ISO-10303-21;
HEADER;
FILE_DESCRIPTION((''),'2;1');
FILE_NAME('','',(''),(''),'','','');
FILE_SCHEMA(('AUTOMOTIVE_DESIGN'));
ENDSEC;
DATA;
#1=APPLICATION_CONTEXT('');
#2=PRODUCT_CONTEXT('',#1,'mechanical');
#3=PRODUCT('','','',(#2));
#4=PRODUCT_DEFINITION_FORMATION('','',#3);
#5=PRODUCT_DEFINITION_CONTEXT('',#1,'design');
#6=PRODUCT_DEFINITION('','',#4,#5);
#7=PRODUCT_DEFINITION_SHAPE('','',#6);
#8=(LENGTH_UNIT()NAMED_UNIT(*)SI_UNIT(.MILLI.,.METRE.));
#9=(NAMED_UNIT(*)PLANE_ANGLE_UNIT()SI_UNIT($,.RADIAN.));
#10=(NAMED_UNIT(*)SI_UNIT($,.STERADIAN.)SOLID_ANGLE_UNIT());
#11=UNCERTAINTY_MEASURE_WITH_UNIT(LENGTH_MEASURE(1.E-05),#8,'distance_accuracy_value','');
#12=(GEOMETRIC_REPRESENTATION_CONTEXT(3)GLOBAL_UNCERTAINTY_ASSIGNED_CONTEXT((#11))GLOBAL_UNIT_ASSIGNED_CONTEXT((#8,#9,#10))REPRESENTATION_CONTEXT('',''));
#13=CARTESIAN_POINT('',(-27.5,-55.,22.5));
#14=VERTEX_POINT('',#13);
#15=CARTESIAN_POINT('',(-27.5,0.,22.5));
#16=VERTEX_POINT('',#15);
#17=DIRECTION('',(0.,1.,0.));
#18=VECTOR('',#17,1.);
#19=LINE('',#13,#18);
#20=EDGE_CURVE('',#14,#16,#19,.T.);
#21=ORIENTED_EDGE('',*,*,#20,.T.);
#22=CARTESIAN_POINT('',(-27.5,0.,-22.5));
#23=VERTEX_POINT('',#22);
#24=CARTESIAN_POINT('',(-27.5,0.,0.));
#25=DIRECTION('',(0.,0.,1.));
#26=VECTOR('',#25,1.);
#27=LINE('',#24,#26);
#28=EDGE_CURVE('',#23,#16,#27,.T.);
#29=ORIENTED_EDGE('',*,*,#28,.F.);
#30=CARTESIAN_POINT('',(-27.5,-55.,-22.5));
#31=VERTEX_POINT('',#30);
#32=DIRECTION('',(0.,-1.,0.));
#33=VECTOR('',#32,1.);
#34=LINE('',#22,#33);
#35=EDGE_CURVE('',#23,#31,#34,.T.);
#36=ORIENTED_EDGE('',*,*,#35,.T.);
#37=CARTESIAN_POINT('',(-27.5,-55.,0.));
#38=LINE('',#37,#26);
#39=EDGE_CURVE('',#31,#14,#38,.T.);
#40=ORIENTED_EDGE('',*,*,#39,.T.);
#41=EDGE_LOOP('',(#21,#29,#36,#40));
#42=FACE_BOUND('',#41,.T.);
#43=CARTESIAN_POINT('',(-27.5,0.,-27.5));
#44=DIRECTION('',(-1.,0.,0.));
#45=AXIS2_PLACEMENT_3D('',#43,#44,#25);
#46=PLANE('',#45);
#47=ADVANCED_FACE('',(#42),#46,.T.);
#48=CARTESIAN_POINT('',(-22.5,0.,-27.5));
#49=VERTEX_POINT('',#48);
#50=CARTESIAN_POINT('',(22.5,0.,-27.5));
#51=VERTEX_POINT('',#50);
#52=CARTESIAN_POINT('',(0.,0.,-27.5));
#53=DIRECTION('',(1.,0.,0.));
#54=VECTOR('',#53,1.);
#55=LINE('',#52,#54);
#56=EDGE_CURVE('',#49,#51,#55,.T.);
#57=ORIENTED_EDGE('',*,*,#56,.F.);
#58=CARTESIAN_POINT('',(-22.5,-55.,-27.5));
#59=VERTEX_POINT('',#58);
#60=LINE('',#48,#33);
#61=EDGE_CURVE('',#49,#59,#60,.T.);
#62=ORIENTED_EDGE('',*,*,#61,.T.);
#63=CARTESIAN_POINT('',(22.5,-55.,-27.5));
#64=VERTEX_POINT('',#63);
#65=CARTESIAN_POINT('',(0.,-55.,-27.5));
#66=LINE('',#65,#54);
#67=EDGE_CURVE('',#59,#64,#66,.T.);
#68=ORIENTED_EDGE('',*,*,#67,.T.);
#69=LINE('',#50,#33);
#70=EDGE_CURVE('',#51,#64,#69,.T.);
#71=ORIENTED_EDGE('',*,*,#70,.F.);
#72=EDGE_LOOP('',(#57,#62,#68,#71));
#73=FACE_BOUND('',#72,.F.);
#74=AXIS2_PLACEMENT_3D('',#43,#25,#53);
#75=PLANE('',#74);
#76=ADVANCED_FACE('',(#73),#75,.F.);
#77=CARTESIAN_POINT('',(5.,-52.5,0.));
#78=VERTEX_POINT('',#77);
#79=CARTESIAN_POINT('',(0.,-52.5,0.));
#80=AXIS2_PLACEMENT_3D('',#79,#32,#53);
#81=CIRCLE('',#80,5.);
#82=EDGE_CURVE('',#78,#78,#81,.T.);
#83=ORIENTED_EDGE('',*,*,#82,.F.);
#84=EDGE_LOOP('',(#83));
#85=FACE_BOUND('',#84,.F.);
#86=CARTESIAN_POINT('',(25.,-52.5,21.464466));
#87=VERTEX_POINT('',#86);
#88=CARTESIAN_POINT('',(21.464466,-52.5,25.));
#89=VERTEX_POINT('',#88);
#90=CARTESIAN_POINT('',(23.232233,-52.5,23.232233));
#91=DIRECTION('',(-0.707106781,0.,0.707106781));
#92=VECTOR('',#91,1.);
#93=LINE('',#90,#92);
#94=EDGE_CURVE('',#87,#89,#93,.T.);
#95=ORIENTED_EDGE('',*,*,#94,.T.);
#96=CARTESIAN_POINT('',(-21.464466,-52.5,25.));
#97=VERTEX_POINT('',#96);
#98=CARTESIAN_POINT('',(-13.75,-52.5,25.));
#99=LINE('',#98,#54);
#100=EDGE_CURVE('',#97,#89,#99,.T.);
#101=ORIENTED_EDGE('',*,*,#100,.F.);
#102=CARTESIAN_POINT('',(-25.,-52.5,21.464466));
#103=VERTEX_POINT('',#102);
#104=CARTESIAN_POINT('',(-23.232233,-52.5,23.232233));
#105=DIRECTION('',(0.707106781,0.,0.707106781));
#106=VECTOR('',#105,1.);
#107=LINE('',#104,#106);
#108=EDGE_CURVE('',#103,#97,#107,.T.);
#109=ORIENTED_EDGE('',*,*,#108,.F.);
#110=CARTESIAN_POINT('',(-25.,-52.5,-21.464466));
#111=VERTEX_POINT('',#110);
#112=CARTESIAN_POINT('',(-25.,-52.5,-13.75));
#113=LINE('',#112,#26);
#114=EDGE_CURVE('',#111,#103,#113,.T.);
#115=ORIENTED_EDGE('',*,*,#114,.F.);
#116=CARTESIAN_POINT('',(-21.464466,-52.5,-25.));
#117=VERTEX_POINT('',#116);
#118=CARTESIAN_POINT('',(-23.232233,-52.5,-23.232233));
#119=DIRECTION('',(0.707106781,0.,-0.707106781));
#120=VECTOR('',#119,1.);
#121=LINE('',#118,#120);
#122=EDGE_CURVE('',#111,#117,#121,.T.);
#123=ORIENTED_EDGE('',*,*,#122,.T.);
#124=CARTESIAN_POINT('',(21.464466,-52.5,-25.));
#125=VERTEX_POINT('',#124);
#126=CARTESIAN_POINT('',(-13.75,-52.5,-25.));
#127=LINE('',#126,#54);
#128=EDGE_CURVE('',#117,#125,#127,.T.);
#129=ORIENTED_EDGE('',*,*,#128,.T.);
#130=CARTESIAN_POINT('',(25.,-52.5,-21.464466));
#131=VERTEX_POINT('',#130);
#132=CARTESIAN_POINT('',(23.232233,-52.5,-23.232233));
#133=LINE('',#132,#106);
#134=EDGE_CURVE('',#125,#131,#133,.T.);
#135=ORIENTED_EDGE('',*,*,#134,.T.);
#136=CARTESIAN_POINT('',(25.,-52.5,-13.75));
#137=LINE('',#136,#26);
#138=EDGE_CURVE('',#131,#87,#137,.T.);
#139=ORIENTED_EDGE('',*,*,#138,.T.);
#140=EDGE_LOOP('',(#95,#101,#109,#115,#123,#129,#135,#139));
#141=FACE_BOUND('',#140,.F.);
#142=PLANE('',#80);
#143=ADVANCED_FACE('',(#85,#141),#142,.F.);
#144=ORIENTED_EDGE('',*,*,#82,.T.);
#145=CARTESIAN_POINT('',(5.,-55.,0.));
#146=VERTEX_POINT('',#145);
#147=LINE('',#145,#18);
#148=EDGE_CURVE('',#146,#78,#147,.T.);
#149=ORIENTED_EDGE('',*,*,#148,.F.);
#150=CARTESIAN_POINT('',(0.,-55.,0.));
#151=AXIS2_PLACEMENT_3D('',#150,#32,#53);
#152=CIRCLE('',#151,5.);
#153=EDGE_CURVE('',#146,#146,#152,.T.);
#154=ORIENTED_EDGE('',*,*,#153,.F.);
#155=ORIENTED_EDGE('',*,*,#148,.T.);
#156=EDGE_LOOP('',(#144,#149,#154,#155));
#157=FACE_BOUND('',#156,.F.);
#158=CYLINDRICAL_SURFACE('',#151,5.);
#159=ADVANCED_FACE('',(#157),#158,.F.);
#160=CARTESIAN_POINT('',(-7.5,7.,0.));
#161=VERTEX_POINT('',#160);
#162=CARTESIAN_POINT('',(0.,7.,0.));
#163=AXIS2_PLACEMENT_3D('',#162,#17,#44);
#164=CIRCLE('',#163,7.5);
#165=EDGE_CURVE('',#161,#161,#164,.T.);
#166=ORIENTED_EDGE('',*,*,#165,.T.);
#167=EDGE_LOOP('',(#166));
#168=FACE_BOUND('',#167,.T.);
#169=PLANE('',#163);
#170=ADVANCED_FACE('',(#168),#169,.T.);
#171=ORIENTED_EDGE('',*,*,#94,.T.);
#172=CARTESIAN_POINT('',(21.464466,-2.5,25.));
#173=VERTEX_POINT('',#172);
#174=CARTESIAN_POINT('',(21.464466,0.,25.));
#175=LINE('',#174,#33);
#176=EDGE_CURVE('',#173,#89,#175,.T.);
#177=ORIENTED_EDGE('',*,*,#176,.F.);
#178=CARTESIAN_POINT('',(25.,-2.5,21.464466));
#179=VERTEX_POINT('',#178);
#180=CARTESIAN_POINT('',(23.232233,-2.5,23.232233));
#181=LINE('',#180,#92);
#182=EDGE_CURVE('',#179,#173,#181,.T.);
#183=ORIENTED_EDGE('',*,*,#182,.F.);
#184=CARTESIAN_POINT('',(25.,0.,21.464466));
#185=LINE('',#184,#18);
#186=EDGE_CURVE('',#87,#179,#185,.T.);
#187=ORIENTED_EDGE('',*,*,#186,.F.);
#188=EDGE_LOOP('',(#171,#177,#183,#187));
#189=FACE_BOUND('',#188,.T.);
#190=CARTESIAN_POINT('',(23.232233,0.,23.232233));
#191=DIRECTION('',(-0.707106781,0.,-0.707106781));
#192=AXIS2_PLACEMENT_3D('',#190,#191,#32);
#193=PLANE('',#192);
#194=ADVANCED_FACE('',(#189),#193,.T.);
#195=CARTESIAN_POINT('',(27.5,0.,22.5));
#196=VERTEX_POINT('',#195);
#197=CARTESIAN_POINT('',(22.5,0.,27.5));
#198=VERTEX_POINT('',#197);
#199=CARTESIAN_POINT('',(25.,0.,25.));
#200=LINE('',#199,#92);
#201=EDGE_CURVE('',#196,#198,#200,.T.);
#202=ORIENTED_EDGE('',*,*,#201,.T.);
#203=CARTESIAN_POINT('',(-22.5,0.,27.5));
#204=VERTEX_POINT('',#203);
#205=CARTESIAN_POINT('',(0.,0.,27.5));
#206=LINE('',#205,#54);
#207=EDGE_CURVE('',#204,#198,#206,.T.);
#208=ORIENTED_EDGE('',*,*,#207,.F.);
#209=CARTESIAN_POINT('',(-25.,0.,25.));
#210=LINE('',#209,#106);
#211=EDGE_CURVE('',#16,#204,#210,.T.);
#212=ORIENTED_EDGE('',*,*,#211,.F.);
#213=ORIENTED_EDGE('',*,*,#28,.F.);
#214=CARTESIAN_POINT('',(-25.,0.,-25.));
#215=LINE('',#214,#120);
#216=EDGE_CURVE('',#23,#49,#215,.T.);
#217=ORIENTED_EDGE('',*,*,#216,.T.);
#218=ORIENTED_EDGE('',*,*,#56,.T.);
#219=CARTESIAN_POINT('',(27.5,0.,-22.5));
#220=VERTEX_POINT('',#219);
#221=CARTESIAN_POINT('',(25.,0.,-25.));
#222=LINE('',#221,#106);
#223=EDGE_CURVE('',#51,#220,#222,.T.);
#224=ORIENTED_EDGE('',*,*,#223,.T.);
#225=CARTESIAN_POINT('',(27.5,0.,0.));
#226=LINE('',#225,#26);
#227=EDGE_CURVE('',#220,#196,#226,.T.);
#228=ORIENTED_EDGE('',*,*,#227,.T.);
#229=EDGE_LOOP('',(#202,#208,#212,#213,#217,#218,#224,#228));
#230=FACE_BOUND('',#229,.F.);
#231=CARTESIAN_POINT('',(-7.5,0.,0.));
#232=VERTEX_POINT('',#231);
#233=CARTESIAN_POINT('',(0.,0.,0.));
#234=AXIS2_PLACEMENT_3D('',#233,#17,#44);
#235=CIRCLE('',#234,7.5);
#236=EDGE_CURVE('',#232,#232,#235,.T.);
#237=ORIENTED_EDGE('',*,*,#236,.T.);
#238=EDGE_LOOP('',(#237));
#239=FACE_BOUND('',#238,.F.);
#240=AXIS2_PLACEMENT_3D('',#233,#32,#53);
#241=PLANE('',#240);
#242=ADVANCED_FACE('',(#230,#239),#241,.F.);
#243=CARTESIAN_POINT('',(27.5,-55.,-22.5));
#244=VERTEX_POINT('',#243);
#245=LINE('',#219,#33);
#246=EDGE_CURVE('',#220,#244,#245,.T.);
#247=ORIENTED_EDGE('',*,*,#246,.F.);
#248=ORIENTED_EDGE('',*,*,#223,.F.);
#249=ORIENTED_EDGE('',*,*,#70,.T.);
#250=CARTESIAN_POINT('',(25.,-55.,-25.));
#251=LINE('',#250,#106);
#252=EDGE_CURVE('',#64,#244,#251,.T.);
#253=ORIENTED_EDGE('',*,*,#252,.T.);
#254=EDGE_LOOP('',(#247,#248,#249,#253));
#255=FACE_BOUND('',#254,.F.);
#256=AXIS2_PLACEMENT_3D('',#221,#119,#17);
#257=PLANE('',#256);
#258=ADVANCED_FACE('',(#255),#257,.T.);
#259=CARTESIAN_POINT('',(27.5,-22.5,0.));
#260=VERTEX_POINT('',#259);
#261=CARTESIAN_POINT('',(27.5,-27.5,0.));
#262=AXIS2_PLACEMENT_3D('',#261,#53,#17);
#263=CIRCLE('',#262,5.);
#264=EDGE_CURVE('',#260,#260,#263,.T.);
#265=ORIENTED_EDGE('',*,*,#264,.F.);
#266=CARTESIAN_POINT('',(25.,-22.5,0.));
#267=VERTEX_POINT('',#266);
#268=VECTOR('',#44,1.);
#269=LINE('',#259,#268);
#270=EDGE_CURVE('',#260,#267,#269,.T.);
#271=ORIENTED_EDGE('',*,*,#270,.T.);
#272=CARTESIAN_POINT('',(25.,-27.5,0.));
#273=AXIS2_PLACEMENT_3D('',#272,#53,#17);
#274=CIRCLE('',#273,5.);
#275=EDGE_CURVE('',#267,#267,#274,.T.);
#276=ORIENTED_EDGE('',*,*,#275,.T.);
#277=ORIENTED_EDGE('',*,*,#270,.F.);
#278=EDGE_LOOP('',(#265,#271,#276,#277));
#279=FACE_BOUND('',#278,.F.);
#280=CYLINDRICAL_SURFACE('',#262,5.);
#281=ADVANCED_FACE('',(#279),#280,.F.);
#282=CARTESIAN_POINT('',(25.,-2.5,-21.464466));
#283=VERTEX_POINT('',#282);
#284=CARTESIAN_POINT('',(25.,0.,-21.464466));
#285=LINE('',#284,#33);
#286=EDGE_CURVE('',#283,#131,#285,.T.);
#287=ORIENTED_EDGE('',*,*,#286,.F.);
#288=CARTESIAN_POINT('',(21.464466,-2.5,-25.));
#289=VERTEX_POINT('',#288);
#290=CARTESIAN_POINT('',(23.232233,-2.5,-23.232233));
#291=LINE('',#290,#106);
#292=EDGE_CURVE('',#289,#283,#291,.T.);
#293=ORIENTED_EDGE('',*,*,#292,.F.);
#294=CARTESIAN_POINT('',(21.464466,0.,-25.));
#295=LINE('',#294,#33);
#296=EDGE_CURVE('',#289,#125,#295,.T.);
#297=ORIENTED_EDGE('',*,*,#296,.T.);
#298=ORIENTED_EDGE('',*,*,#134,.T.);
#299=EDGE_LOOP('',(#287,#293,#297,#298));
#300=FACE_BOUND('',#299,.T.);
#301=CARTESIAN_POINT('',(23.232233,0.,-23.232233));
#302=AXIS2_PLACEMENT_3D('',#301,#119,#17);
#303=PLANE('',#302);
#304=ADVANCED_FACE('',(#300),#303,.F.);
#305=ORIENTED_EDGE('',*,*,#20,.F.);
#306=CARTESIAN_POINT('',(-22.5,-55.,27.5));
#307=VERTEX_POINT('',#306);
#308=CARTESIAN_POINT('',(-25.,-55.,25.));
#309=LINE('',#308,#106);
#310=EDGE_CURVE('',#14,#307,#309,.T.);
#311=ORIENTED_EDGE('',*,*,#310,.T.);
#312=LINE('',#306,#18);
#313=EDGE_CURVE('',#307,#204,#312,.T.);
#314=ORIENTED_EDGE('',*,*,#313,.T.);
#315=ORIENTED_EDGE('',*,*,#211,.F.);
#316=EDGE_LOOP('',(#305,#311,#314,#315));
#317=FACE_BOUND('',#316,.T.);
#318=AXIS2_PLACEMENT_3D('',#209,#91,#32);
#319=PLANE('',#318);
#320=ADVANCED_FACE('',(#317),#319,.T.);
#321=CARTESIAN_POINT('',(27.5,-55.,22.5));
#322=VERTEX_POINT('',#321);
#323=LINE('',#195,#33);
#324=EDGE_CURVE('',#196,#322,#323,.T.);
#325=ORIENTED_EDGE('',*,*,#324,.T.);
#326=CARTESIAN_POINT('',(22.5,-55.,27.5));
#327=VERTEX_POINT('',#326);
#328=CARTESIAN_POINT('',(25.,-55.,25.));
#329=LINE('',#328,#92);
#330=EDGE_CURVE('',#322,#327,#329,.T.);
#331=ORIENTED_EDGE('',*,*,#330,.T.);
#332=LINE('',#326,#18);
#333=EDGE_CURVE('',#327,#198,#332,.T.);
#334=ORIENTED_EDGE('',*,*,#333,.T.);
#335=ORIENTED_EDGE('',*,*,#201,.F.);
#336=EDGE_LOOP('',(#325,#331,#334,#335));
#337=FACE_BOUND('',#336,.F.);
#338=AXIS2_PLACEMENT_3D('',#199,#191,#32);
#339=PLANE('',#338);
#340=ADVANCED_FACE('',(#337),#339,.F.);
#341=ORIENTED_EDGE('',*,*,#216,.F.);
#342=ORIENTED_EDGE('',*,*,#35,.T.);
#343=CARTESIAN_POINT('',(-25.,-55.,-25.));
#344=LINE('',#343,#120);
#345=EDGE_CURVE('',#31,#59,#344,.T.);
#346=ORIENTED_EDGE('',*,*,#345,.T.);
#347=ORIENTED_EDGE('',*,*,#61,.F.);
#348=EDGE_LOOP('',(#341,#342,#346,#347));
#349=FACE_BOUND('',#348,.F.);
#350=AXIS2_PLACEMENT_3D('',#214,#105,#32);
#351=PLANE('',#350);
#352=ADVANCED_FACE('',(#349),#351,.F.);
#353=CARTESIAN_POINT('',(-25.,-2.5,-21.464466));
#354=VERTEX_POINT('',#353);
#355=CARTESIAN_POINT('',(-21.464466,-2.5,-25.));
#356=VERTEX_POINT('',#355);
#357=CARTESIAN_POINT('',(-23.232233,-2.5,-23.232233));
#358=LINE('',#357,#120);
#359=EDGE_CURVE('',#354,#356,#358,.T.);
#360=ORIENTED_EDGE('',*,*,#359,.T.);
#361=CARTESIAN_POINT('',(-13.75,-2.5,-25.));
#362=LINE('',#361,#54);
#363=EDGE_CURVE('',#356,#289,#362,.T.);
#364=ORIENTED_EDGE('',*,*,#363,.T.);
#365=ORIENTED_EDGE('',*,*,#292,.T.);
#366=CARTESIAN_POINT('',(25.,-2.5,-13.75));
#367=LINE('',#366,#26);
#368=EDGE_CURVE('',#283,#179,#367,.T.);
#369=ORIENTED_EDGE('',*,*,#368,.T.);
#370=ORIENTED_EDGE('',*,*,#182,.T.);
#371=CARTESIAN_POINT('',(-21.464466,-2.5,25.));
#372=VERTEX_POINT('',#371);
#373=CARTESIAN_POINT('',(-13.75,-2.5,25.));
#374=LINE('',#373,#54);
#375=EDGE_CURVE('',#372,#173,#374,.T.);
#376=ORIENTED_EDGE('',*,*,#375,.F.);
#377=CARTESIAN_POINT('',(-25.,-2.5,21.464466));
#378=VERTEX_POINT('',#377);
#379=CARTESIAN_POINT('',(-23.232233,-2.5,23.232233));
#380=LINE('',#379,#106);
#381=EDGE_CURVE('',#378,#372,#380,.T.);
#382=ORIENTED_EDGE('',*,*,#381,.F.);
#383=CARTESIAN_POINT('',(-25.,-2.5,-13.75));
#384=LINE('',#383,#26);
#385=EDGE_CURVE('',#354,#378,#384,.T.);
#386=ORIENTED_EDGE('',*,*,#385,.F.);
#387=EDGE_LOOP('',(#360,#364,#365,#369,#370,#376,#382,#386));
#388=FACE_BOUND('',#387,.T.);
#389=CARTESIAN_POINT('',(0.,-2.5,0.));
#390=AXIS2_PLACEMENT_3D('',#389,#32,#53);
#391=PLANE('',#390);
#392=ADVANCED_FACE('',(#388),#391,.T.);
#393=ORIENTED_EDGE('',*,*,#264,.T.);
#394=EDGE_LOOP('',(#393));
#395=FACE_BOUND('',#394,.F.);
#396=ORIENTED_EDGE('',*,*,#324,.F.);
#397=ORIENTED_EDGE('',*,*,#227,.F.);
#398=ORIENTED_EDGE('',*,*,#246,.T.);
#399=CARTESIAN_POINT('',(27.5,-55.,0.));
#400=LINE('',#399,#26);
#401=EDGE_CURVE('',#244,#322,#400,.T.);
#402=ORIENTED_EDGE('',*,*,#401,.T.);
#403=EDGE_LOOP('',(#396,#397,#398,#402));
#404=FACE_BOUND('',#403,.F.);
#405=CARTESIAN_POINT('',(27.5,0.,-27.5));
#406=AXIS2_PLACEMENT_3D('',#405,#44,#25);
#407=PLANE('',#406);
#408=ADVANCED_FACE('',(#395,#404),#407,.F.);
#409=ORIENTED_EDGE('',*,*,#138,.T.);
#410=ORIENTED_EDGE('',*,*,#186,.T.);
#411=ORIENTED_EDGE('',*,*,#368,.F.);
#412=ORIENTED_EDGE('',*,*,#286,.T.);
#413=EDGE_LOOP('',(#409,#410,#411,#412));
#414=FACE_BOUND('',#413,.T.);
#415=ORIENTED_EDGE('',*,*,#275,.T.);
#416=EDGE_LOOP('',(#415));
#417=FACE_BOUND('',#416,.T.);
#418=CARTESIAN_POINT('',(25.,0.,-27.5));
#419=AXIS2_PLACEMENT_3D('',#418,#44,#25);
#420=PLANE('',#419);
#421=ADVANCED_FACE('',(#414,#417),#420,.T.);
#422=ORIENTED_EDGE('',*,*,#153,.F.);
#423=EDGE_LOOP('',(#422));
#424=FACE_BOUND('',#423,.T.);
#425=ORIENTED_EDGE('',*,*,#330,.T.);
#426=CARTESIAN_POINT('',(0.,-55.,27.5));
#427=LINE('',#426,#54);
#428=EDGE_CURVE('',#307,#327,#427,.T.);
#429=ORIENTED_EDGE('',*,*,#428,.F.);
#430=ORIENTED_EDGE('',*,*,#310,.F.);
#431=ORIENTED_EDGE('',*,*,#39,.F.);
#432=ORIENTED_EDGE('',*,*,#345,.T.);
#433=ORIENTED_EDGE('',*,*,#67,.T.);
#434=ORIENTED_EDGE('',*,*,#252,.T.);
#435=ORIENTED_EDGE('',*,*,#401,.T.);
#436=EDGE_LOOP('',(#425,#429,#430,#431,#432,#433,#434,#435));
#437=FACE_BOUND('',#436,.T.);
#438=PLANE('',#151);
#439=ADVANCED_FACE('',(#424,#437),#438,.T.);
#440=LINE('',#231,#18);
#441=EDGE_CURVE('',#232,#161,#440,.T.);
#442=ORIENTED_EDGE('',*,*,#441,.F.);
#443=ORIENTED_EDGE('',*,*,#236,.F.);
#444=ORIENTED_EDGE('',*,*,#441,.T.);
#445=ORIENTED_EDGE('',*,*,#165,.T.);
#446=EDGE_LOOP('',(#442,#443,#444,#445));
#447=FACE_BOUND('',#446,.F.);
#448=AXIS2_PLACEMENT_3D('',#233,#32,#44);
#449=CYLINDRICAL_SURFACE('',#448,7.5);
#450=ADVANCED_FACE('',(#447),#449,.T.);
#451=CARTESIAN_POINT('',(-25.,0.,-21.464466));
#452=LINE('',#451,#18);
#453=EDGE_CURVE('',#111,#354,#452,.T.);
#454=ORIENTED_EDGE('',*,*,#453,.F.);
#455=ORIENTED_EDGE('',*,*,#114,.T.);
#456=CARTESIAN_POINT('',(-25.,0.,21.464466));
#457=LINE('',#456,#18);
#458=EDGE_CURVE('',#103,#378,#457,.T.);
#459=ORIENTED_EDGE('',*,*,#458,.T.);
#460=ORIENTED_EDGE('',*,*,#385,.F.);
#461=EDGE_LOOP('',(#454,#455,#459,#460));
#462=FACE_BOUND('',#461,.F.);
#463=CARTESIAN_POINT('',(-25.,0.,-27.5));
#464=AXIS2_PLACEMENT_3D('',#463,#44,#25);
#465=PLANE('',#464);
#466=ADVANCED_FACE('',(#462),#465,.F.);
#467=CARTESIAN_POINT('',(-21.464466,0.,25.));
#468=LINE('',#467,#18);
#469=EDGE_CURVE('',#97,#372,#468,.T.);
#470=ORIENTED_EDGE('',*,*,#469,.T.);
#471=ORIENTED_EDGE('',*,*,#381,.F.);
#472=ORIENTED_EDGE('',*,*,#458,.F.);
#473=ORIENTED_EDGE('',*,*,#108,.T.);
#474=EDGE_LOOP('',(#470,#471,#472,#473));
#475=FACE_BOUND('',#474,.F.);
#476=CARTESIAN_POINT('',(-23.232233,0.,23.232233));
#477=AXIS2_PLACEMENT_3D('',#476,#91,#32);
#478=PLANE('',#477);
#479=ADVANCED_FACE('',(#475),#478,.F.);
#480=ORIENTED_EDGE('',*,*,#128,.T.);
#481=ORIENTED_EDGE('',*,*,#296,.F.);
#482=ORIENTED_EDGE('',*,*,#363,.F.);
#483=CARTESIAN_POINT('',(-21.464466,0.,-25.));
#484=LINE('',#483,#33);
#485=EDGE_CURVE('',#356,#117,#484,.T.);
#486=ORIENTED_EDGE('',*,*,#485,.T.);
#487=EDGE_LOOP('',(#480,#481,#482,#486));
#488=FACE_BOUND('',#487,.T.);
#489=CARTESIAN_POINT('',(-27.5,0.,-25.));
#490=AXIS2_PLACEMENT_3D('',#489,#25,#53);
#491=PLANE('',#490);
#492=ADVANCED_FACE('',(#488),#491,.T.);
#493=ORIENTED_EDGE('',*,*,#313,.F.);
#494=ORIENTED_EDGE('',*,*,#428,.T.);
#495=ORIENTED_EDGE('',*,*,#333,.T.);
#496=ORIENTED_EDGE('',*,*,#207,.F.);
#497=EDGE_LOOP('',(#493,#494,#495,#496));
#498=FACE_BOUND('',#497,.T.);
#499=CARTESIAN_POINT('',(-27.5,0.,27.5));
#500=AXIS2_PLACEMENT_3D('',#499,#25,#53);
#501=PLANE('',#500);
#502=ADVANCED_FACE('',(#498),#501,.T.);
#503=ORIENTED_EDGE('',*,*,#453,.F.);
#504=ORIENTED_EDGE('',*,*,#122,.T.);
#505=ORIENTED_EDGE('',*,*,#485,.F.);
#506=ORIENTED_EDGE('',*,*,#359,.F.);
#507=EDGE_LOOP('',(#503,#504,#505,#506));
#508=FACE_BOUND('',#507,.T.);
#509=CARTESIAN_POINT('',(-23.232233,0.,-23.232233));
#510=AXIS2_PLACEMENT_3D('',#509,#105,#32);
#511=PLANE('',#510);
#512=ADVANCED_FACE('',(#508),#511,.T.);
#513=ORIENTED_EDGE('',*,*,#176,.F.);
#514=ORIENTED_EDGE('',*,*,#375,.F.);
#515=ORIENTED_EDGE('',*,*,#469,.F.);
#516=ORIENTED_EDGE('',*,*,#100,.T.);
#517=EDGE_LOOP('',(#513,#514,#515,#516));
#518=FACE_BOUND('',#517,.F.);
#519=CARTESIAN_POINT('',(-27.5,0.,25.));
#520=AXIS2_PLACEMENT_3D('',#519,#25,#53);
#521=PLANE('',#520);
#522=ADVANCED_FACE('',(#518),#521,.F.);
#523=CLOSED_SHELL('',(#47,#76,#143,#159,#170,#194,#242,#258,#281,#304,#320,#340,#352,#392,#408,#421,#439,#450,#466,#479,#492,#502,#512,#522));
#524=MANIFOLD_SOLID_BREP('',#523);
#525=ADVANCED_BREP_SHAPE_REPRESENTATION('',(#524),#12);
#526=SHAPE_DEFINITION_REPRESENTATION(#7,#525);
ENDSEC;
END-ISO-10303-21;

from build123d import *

# Parameters (mm, degrees)
F0_W      = 55
F0_H      = 55
F1_DEPTH  = 55
F2_SIZE   = 5
F5_T      = -2.5
F7_DEPTH  = 2.5
F4_R      = 5
F8_DEPTH  = 2.5
F3_R      = 5
F9_DEPTH  = 2.5
F10_R     = 7.5
F11_DEPTH = 7


with BuildPart() as f1:
    # F0 (on Front) → F1 (new body)
    with BuildSketch(Plane.XZ):
        Rectangle(F0_W, F0_H)
    extrude(amount=F1_DEPTH)

    # F2
    f2_edges = [f1.edges().sort_by_distance(p)[0] for p in [
        (27.5, -27.5, 27.5),
        (-27.5, -27.5, 27.5),
        (27.5, -27.5, -27.5),
        (-27.5, -27.5, -27.5),
    ]]
    chamfer(f2_edges, length=F2_SIZE)

    # F5
    f5_openings = [f1.faces().sort_by_distance(p)[0] for p in [
        (0, -55, 0),
    ]]
    offset(amount=F5_T, openings=f5_openings)

    # F6 (on face) → F7 (join)
    with BuildSketch(Plane.XZ.offset(55)):
        Polygon((27.5, 22.5), (22.5, 27.5), (-22.5, 27.5), (-27.5, 22.5), (-27.5, -22.5), (-22.5, -27.5), (22.5, -27.5), (27.5, -22.5), align=None)
    extrude(amount=-F7_DEPTH)

    # F4 (on face) → F8 (cut)
    with BuildSketch(Plane.YZ.offset(27.5)):
        with Locations((-27.5, 0)):
            Circle(F4_R)
    extrude(amount=-F8_DEPTH, mode=Mode.SUBTRACT)

    # F3 (on face) → F9 (cut)
    with BuildSketch(Plane.XZ.offset(55)):
        Circle(F3_R)
    extrude(amount=-F9_DEPTH, mode=Mode.SUBTRACT)

    # F10 (on face) → F11 (join)
    with BuildSketch(Plane(origin=(0, 0, 0), x_dir=(-1, 0, 0), z_dir=(0, 1, 0))):
        Circle(F10_R)
    extrude(amount=F11_DEPTH)


solid = f1.part
